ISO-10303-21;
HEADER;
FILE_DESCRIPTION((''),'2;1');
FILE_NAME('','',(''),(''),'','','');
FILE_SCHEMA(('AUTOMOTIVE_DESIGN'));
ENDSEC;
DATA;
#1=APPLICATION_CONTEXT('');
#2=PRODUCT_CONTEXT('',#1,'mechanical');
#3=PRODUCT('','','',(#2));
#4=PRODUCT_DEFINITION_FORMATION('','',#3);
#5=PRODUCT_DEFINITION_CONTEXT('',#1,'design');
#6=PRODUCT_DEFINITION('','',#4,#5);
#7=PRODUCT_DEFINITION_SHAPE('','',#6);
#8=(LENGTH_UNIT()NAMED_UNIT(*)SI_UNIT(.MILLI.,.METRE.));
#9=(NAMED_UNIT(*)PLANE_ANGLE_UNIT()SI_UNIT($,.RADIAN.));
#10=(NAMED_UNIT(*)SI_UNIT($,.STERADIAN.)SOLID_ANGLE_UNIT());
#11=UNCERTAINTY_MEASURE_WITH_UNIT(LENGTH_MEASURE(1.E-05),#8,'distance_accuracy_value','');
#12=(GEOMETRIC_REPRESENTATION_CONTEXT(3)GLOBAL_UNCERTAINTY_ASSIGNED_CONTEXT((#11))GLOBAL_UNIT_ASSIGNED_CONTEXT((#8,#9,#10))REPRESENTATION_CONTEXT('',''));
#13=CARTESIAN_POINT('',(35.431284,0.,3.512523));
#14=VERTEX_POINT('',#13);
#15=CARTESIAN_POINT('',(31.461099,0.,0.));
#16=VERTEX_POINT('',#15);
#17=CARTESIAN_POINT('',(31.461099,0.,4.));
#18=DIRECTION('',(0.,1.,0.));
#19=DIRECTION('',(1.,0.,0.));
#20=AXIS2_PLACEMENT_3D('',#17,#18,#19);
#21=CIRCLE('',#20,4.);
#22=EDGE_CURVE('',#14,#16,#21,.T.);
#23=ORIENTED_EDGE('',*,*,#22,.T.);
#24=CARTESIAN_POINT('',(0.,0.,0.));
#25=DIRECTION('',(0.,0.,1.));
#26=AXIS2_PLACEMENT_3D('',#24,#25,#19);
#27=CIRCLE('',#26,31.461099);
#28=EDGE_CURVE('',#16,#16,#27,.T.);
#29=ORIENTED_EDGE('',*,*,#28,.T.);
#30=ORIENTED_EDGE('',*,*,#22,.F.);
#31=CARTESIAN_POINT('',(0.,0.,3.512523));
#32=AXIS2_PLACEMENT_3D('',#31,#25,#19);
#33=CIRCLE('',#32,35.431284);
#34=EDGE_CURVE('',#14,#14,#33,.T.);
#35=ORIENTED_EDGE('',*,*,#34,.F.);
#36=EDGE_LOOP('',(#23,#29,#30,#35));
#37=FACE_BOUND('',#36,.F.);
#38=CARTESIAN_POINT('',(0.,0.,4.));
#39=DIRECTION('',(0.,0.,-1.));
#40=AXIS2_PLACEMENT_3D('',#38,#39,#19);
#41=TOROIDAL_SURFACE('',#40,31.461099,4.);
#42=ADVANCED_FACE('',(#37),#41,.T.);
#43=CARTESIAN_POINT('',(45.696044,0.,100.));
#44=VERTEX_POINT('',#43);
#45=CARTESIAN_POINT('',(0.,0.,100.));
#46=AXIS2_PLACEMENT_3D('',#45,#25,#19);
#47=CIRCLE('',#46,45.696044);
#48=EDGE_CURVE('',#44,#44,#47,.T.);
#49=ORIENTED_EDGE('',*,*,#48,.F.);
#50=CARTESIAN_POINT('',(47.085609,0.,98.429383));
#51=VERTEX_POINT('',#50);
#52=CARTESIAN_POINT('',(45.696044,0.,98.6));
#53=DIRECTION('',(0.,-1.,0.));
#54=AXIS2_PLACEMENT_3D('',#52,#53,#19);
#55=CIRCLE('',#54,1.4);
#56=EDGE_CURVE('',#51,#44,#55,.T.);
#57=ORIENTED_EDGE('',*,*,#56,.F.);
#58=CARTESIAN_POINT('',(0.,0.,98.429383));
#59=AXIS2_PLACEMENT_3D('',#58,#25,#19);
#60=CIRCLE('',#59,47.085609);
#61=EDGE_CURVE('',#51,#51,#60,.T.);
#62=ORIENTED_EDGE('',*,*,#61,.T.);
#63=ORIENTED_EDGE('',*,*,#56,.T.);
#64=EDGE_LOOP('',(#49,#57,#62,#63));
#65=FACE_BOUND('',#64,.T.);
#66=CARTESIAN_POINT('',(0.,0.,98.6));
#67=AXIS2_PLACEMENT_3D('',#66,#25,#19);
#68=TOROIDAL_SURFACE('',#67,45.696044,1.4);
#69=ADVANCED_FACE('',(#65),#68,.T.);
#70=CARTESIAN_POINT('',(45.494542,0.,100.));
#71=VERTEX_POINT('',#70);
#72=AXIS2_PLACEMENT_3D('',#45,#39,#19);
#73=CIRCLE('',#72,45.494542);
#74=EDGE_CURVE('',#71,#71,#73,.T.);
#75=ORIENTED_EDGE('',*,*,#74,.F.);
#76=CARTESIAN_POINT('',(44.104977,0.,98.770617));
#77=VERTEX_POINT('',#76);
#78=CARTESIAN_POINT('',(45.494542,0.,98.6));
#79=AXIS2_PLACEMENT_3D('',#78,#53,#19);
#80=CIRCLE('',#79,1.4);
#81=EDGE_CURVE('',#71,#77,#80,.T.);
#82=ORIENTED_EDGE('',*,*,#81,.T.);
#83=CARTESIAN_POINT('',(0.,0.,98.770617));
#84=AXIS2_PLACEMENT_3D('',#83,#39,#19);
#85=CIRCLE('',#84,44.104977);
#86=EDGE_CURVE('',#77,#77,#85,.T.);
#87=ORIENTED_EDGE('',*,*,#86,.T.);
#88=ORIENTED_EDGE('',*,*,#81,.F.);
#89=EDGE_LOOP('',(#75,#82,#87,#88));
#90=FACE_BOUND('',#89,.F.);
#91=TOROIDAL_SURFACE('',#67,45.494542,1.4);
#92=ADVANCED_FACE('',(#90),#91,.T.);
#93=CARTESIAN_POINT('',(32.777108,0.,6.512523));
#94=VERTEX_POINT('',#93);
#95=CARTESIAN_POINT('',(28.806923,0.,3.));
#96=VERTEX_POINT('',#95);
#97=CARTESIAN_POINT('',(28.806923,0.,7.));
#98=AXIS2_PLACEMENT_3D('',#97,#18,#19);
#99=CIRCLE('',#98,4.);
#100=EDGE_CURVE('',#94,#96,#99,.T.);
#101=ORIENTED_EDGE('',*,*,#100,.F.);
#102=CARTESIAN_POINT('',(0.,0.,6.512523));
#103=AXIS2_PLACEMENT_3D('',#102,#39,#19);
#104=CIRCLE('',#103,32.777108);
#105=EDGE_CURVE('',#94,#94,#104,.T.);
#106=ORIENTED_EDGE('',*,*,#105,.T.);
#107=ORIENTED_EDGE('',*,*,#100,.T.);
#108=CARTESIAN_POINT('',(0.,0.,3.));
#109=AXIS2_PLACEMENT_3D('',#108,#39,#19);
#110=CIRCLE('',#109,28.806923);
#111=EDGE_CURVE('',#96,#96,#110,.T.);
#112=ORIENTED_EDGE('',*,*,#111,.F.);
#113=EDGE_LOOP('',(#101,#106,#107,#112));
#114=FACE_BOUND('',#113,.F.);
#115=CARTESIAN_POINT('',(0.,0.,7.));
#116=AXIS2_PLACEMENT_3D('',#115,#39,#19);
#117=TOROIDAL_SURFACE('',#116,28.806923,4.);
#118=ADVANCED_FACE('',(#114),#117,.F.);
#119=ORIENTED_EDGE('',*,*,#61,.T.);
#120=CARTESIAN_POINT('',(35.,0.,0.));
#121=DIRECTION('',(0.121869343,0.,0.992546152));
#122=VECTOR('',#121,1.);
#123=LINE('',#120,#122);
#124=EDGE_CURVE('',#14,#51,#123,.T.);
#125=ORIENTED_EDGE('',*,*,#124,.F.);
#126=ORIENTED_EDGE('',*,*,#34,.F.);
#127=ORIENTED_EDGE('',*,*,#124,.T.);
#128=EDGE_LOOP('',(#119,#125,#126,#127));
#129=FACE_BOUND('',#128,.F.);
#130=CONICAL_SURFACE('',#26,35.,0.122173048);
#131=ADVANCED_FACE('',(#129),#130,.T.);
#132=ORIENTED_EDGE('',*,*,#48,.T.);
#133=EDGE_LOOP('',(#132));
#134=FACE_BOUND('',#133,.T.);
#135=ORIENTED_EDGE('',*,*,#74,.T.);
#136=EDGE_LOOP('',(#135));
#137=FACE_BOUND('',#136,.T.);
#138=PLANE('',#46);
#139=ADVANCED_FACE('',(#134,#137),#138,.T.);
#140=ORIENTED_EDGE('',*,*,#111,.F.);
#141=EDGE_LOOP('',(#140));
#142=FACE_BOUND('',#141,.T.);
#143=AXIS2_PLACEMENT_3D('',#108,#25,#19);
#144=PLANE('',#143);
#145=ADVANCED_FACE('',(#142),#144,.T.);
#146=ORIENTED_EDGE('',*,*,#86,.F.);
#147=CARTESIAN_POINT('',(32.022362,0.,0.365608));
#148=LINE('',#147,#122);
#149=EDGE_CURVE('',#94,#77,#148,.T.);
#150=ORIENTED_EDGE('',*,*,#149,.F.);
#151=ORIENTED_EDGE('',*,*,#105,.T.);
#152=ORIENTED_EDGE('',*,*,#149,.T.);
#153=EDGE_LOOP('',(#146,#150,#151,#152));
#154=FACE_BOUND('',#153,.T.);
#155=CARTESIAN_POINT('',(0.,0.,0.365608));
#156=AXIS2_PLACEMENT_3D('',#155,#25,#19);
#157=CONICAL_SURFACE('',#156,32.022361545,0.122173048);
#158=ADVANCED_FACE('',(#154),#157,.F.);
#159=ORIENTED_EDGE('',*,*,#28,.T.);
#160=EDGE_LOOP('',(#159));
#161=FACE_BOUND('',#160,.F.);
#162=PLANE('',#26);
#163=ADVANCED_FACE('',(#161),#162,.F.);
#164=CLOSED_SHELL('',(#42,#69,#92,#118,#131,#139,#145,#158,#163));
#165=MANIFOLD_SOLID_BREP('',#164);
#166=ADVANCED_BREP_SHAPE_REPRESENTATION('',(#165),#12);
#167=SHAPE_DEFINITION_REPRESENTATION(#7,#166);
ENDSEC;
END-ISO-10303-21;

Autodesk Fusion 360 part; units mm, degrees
sketch "스케치1" plane through (0, 0, 0) normal (0, 0, 1) x (1, 0, 0)
sketch "스케치2" plane through (0, 0, 0) normal (0, 0, 1) x (1, 0, 0)
  circle A0 centre (0, 0) radius 35
  dimension "d1" = 70
extrude "돌출1" add sketch "스케치2" along normal blind 100 draft 7
shell "쉘1" thickness 3 removed faces 1 at (-3.1952, -13.2971, 100)
fillet "필렛1" radius 1.4 2 edges at (-44.079, 17.0966, 100) (-41.261, 16.0036, 100)
fillet "필렛2" radius 4 2 edges at (-32.6315, -12.6565, 0) (-30.1569, -11.6967, 3)
